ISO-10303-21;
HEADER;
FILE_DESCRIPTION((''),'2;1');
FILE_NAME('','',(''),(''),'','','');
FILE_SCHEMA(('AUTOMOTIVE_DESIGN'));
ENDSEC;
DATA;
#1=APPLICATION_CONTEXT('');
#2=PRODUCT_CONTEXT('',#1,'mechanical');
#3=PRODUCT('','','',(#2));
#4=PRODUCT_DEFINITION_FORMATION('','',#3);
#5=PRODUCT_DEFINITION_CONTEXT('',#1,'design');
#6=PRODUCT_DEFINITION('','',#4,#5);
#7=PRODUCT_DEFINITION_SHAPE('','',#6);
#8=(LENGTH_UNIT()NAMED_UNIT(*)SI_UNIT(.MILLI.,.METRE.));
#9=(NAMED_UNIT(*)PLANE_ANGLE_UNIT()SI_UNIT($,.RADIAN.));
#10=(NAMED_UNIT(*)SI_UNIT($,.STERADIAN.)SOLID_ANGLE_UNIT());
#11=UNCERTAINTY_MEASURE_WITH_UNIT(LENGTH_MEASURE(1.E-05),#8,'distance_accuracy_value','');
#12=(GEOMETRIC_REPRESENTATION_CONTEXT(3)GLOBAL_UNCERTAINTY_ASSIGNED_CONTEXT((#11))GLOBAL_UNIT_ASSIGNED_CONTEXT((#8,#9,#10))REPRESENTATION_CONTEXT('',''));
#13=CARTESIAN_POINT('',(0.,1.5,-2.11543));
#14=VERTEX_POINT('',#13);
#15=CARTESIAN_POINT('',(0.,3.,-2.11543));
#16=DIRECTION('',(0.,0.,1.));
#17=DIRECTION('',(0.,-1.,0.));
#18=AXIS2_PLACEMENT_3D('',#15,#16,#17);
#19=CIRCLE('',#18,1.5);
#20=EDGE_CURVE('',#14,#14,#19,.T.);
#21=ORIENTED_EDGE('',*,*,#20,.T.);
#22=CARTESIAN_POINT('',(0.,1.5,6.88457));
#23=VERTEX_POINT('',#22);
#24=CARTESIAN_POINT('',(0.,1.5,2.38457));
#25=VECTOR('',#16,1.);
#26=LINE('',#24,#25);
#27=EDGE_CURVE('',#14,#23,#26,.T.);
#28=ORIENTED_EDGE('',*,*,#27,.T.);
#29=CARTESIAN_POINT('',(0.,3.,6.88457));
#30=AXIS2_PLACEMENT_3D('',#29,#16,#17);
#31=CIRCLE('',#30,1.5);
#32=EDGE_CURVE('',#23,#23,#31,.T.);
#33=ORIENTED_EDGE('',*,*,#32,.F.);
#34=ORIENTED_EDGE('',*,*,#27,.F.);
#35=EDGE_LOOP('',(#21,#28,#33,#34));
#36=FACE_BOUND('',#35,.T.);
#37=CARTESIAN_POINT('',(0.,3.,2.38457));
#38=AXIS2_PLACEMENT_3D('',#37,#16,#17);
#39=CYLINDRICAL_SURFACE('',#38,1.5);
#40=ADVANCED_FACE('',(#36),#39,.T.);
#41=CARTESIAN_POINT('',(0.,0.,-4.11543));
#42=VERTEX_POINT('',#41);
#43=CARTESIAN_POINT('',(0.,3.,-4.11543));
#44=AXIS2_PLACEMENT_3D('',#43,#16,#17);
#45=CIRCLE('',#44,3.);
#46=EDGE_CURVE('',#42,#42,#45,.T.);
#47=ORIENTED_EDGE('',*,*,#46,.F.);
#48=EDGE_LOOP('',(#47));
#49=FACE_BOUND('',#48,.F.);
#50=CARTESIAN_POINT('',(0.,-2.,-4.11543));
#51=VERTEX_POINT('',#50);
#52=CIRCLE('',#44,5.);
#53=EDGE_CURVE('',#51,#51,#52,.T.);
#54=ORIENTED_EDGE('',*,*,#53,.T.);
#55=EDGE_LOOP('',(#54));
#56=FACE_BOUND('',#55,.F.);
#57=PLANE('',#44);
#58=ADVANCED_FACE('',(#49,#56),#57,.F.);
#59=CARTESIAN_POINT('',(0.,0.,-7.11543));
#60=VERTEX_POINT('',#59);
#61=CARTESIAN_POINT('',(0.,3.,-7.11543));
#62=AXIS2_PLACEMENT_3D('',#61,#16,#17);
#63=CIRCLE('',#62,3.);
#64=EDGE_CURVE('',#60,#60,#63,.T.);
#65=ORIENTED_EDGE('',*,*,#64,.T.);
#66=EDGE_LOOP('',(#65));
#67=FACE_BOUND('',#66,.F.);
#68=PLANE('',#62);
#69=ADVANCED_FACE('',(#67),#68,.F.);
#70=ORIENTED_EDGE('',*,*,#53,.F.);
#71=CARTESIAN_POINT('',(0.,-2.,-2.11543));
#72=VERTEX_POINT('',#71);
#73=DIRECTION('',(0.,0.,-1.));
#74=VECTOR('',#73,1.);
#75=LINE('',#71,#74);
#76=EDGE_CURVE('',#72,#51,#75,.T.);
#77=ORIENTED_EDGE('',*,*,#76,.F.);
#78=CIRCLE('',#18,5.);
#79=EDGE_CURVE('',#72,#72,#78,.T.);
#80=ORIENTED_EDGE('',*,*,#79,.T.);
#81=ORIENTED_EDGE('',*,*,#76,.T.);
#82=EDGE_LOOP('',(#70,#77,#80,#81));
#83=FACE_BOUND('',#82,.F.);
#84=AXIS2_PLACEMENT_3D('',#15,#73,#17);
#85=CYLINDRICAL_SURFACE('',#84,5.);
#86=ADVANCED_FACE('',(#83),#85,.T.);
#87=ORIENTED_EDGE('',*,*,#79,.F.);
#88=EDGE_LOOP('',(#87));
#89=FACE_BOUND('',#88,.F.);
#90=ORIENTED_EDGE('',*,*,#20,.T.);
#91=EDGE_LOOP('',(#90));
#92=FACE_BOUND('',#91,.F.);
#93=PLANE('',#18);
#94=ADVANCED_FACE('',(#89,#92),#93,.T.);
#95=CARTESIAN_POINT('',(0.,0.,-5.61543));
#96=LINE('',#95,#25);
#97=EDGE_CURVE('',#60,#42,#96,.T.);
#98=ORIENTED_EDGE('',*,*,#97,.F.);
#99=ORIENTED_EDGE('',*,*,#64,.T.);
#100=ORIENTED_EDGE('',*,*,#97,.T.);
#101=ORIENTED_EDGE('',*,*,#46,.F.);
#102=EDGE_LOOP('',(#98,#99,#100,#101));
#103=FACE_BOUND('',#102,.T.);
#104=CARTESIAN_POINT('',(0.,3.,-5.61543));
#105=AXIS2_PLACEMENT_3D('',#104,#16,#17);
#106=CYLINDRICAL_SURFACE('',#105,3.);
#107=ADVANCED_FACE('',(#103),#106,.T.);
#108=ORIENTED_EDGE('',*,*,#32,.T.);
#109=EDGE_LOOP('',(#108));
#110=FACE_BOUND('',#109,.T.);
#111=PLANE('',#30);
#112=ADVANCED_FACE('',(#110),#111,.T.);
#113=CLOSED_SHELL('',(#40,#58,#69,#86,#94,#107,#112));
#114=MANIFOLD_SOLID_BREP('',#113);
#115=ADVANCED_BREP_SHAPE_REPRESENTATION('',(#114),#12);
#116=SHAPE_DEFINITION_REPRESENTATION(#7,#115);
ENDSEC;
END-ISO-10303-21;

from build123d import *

# Parameters (mm, degrees)
F0_W   = 1.5
F0_H   = 9
F0_W_2 = 3
F0_H_2 = 3


with BuildPart() as f1:
    # F0 (on Right) → F1 (revolve)
    with BuildSketch(Plane.YZ):
        Polygon((3, -4.11543), (3, -2.11543), (1.5, -2.11543), (-2, -2.11543), (-2, -4.11543), (0, -4.11543), align=None)
        with Locations((2.25, 2.38457)):
            Rectangle(F0_W, F0_H)
        with Locations((1.5, -5.61543)):
            Rectangle(F0_W_2, F0_H_2)
    revolve(axis=Axis((0, 3, 2.38457), (0, 0, 1)))


solid = f1.part
